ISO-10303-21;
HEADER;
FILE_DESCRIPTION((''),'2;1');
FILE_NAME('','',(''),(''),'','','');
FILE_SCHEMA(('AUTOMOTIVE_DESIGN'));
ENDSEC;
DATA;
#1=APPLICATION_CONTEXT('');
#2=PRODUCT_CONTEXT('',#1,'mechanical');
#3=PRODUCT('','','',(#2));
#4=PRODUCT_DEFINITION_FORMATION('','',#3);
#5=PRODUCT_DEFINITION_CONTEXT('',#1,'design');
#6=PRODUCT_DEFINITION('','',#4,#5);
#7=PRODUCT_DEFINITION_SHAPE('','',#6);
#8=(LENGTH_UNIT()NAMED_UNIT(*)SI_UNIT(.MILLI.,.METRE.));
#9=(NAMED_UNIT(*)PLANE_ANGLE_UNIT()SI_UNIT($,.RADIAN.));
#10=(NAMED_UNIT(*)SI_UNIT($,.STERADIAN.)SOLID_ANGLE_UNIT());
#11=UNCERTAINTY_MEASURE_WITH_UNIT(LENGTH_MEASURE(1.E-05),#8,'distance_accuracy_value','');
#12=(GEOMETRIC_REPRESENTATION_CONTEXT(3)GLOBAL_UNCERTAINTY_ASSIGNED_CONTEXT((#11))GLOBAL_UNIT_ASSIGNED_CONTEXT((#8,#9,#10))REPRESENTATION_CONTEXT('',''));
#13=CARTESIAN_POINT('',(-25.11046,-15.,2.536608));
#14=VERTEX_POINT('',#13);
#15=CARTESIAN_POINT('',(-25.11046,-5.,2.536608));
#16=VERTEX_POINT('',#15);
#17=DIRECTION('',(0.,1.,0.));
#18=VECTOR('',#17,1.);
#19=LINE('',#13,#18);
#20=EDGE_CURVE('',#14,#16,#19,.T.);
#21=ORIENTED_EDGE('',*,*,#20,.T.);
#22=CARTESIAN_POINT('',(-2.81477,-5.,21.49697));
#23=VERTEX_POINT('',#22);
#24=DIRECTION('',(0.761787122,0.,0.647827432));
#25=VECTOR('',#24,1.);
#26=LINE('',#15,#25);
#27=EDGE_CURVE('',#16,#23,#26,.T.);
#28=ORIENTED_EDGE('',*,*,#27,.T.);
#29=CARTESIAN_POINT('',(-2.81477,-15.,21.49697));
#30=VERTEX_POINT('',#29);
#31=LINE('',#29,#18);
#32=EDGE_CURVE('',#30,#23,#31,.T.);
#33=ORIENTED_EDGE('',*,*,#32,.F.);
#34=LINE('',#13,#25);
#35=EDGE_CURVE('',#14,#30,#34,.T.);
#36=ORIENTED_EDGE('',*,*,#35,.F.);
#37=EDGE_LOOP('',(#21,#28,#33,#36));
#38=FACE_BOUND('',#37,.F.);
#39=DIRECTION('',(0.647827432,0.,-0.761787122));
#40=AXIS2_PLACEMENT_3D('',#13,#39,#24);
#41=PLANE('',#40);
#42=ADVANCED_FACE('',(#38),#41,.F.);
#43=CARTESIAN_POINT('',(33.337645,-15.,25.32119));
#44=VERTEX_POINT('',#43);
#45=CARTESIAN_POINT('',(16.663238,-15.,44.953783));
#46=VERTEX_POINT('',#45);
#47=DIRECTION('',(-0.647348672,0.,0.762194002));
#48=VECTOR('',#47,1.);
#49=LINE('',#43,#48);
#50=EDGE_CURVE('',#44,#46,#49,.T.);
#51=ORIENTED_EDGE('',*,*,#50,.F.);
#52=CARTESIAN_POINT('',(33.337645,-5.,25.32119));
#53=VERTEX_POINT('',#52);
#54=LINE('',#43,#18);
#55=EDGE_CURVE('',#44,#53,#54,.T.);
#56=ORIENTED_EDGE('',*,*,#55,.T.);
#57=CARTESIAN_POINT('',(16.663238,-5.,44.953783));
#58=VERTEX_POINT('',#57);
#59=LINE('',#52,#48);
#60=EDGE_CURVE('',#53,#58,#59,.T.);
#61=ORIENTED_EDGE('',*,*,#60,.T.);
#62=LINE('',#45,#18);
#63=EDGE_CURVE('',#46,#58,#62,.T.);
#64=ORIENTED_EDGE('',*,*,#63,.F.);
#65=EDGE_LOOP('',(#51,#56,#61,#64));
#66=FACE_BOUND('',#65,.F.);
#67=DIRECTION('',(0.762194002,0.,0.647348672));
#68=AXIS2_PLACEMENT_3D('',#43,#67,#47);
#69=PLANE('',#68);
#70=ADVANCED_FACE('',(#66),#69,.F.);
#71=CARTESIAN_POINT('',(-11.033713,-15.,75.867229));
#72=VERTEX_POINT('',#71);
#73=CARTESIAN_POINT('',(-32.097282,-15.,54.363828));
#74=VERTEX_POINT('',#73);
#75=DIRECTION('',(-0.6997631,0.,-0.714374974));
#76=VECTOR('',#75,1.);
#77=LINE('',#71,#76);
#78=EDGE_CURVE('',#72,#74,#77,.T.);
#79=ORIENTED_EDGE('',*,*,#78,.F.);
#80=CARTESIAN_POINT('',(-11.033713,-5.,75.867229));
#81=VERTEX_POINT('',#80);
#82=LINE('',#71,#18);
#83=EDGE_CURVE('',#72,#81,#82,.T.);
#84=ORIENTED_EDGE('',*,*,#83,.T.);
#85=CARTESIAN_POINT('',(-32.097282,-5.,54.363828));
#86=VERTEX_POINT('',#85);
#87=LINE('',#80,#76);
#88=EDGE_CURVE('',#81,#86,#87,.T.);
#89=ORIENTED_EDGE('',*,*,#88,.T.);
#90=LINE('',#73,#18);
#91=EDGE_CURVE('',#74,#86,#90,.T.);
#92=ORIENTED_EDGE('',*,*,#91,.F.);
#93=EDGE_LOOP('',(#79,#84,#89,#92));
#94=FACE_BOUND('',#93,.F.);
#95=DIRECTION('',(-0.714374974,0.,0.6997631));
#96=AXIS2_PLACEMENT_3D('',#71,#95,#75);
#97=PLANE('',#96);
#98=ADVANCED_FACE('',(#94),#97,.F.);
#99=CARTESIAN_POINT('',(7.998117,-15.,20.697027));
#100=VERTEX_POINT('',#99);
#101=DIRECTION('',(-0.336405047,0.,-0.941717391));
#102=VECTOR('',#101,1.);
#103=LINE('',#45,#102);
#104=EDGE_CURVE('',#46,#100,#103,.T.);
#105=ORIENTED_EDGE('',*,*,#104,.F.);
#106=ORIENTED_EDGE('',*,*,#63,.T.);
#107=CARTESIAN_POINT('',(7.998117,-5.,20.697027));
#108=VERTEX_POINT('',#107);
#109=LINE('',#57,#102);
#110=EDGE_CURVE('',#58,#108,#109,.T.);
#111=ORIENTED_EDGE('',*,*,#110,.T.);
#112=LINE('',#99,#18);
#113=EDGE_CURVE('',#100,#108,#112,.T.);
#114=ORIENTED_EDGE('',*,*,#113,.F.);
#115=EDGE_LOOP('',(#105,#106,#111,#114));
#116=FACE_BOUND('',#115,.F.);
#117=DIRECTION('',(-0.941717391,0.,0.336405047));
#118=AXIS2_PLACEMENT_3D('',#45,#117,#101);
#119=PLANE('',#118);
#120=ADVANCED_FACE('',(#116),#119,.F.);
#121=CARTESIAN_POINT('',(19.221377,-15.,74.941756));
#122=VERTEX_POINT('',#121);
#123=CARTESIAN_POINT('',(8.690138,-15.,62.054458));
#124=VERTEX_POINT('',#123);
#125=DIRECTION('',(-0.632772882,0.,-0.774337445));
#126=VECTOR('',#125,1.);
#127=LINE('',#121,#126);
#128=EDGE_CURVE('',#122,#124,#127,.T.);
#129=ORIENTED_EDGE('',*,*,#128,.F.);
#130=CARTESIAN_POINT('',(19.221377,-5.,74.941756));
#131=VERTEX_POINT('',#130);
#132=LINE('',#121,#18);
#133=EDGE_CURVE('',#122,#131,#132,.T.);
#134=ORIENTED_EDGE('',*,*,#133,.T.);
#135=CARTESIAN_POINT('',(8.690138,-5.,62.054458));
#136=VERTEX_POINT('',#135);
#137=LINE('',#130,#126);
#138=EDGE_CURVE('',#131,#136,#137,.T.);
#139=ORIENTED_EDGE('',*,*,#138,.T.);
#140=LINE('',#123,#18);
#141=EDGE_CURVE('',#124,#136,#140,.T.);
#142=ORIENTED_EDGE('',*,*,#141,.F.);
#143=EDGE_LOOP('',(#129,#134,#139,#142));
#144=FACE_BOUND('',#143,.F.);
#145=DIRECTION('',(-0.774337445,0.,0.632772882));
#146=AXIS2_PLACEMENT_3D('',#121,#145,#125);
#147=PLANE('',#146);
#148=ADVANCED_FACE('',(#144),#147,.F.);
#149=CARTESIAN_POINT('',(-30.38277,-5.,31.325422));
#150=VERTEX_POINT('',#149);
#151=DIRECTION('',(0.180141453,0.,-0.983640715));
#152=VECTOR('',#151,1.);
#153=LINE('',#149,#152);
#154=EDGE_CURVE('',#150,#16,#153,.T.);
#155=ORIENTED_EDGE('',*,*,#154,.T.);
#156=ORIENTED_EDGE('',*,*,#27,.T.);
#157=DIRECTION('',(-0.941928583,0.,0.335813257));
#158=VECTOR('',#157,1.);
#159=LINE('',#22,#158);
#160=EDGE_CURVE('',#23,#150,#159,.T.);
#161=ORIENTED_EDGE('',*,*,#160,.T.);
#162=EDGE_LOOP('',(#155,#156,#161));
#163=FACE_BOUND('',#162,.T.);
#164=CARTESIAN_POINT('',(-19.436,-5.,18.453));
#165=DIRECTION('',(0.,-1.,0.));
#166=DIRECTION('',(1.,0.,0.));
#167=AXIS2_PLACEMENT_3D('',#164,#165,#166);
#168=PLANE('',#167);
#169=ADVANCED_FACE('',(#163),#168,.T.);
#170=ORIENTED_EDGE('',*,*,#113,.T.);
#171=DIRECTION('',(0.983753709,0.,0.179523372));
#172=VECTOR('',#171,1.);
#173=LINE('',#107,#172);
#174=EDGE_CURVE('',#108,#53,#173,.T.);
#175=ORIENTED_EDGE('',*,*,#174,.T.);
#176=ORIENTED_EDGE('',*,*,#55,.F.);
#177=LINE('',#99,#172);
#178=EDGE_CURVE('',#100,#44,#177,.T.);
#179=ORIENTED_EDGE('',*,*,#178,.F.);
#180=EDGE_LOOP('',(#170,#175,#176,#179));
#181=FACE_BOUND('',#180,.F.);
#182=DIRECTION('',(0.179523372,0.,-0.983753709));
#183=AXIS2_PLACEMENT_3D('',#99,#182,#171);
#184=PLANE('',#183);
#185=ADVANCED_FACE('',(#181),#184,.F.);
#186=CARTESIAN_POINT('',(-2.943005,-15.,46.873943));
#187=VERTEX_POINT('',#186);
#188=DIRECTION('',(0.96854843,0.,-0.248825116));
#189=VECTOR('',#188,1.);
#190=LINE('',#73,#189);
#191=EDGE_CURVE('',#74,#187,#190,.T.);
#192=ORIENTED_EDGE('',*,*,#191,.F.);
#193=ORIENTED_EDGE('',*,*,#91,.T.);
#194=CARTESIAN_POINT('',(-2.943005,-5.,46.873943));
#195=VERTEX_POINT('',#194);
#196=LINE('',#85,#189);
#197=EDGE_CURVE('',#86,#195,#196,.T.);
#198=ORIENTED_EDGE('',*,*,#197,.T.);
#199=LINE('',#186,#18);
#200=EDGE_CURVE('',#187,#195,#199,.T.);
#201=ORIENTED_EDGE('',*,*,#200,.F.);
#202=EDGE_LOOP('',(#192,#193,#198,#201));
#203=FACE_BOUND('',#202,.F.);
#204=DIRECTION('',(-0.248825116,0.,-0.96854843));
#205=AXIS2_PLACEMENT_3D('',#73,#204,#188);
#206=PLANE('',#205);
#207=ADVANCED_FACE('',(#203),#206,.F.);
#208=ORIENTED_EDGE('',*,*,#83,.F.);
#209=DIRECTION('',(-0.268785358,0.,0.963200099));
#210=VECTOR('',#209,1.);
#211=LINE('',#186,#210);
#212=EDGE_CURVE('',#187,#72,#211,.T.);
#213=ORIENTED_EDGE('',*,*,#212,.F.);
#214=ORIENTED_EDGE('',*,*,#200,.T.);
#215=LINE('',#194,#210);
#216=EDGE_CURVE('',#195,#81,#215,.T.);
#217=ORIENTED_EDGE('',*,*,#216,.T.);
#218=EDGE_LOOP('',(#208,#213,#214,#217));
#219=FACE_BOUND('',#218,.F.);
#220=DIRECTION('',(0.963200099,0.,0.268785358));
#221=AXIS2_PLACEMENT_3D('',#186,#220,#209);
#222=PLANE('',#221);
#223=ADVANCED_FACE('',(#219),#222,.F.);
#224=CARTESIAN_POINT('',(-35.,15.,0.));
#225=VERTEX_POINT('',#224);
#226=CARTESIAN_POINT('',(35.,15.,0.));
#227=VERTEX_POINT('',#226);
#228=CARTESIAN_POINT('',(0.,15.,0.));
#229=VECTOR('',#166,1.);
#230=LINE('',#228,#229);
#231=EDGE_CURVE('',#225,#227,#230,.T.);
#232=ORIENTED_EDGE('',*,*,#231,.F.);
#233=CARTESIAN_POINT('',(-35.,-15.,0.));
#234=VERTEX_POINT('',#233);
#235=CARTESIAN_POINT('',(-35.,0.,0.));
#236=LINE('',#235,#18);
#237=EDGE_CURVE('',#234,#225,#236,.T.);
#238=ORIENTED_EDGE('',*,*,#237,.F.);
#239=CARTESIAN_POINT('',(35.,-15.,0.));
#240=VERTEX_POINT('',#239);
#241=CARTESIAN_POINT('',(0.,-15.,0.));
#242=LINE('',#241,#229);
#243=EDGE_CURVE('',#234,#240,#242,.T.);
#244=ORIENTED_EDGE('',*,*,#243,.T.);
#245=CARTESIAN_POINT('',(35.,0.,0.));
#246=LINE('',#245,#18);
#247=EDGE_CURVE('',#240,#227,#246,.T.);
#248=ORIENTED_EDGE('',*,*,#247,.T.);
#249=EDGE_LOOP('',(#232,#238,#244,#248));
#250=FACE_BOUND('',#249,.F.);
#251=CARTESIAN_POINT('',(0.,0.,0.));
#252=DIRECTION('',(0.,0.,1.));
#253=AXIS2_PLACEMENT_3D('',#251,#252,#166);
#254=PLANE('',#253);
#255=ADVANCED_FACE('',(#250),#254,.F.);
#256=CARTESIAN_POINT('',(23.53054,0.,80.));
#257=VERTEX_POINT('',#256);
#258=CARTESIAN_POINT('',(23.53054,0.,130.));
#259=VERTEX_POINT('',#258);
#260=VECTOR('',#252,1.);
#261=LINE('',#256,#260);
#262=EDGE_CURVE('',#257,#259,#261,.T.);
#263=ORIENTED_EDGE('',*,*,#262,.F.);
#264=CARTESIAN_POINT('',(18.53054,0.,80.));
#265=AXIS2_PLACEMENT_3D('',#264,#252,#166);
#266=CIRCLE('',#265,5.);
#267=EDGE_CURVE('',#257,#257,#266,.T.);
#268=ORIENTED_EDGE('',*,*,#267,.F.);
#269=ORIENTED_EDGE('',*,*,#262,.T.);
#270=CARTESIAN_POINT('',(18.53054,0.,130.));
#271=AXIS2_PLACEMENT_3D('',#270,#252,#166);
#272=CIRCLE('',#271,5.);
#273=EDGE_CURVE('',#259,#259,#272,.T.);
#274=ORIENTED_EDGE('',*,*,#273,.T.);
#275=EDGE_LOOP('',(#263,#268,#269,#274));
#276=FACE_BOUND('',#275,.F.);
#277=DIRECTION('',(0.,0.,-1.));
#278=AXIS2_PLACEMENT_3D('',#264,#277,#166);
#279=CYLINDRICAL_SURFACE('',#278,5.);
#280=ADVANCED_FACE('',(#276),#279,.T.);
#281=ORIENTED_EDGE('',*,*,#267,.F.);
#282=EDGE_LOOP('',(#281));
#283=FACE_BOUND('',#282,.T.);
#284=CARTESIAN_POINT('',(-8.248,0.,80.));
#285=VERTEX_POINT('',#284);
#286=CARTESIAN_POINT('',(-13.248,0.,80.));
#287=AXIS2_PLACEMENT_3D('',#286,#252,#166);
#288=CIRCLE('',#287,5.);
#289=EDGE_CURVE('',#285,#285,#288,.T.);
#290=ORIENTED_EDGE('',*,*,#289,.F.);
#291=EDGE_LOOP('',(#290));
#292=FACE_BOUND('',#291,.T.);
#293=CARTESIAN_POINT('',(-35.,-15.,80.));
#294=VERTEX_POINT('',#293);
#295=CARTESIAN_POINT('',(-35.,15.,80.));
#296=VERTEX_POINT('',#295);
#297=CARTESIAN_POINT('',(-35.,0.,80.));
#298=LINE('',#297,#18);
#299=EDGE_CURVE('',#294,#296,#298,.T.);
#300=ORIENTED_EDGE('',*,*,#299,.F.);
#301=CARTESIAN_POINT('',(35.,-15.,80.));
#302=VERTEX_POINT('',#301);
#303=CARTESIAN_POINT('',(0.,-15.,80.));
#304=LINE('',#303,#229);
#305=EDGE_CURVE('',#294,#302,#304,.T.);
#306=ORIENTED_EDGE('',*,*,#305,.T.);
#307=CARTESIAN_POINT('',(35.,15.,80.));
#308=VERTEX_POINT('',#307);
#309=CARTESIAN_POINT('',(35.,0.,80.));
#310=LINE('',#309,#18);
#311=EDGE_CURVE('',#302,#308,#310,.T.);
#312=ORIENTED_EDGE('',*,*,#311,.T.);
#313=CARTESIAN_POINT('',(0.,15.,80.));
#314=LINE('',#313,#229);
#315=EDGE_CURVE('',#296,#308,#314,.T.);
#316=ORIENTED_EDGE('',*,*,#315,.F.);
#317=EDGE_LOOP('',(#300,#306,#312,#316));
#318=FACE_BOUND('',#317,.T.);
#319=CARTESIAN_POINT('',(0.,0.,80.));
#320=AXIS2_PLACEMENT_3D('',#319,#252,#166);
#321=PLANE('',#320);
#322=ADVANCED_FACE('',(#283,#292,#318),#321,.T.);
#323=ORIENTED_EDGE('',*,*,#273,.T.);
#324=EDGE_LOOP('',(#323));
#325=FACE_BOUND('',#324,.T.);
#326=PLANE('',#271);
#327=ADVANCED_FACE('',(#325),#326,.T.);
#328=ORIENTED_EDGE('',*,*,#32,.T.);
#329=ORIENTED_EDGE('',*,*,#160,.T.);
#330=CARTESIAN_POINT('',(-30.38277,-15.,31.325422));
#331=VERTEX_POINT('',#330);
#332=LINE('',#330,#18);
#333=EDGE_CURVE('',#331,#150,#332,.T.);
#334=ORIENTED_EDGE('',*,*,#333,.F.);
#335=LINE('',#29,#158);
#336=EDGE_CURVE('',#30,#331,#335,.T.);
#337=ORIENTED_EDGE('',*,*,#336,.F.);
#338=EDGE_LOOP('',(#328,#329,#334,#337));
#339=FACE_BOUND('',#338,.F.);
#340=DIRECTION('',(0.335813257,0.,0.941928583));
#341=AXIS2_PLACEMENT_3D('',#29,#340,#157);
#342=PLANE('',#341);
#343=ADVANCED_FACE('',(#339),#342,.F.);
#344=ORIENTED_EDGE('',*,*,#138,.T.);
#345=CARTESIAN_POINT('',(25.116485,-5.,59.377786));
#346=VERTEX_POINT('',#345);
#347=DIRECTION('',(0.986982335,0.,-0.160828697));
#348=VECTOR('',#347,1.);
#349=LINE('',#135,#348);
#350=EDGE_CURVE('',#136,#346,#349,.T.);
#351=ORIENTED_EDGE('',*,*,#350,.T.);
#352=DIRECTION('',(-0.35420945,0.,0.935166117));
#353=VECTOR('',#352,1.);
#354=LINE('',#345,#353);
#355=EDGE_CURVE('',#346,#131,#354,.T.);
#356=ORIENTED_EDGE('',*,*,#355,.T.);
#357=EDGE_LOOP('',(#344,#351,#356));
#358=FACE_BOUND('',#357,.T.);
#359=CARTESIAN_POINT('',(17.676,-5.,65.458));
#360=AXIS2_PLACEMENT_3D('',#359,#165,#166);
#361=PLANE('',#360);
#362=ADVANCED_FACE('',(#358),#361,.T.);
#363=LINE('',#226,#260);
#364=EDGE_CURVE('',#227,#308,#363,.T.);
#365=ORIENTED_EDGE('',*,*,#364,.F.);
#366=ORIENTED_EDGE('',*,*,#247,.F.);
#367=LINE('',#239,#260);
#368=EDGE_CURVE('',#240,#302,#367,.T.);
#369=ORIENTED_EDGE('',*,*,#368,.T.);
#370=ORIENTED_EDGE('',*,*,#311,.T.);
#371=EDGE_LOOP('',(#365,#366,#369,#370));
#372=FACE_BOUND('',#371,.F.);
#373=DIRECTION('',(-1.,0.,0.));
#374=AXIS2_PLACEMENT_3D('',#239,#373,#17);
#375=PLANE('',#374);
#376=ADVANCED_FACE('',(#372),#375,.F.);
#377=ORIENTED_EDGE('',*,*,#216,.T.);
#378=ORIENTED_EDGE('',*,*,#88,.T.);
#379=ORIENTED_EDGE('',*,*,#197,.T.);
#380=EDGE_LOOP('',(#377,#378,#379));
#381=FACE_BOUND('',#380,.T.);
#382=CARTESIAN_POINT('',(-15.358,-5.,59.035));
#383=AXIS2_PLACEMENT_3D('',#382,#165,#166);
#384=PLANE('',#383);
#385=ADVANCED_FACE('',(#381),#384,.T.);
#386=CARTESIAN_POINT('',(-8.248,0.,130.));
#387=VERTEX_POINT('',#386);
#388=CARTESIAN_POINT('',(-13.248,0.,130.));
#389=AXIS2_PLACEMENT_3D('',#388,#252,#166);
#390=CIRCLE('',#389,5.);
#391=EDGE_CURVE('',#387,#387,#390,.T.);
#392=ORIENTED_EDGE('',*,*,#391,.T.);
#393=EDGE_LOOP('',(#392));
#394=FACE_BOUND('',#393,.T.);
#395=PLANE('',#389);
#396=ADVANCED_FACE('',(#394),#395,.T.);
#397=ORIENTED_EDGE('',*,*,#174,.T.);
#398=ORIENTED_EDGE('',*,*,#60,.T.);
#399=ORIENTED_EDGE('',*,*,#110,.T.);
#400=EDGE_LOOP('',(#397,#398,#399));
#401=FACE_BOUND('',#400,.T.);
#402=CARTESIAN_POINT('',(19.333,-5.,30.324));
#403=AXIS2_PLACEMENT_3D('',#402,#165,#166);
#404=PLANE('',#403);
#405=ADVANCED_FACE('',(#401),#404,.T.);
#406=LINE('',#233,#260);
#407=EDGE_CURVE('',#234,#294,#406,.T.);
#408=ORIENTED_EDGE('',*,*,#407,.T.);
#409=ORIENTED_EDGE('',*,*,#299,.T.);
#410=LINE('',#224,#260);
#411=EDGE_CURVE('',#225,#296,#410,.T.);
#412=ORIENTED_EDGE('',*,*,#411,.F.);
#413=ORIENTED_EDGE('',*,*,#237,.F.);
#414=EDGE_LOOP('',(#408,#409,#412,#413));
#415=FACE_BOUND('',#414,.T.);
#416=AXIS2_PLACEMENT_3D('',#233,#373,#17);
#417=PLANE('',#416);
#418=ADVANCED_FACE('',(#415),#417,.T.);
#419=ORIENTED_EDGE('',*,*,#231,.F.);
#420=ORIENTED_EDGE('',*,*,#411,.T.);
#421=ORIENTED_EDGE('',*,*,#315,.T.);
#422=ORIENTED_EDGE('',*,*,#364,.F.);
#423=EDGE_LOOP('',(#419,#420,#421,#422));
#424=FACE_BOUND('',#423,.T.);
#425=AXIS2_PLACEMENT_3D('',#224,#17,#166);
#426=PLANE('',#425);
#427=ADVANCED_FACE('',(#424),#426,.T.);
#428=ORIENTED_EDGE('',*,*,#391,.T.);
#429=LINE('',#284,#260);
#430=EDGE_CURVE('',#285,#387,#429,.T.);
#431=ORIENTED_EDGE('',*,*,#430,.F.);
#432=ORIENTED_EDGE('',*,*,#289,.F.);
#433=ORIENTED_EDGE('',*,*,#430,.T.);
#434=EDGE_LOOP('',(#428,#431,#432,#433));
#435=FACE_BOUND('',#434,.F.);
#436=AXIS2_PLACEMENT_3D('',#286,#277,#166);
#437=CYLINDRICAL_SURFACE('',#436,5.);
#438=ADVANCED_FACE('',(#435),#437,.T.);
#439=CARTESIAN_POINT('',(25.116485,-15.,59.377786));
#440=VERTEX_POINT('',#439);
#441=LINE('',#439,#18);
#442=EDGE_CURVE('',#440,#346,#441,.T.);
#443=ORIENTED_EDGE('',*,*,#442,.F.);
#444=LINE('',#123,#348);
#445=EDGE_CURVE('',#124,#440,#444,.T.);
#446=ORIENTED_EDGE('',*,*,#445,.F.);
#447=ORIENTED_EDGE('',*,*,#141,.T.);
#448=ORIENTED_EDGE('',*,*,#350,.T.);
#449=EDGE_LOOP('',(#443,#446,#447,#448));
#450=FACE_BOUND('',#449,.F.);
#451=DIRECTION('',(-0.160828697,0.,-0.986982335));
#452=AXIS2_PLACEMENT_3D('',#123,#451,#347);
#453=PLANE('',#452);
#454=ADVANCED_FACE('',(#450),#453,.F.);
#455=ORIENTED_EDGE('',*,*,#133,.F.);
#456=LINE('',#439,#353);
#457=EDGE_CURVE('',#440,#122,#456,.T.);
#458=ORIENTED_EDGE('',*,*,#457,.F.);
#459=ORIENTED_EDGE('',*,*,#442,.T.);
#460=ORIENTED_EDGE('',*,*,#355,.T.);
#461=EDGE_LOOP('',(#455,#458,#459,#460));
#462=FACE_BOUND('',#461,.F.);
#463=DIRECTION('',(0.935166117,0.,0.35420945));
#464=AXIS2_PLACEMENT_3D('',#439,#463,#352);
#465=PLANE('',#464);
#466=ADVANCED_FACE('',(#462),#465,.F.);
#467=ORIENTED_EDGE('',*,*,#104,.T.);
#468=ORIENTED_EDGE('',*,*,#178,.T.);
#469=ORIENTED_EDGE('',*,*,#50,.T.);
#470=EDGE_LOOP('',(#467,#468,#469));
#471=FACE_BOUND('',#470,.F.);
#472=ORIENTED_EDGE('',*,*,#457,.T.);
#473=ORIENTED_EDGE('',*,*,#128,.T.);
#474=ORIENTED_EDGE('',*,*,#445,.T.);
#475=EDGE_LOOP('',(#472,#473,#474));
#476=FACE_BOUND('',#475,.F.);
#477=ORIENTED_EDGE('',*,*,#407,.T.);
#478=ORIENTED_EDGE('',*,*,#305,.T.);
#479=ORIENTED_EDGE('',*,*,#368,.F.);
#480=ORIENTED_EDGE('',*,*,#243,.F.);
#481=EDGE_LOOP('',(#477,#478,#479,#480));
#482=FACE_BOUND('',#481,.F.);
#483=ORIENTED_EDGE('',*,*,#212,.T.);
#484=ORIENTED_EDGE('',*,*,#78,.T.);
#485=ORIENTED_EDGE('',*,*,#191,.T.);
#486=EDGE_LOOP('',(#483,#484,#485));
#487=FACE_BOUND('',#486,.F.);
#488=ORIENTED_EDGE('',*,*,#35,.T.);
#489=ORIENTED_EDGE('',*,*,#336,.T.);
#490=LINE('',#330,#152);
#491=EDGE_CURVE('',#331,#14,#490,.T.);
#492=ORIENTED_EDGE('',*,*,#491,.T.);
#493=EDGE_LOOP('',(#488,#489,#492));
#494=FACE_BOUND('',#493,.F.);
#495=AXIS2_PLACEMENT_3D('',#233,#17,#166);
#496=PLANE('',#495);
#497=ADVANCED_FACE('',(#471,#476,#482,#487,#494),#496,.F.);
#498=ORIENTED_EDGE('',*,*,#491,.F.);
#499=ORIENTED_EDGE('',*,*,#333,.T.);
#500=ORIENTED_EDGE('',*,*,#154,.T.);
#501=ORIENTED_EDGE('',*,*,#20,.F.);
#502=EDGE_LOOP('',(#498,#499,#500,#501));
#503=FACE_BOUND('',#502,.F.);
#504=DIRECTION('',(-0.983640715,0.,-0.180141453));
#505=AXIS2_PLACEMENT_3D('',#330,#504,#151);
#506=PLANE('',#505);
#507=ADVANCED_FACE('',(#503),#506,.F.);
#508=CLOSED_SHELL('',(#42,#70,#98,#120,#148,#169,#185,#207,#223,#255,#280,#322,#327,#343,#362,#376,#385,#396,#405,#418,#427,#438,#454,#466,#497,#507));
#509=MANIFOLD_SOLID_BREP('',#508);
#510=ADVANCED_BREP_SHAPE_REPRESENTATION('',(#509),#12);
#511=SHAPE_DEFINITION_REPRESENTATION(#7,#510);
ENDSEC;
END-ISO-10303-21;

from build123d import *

# Parameters (mm, degrees)
F0_W     = 70
F0_H     = 30
F1_DEPTH = 80
F2_R     = 5
F3_DEPTH = 50
F5_DEPTH = 10


with BuildPart() as f1:
    # F0 (on Top) → F1 (new body)
    with BuildSketch(Plane.XY):
        Rectangle(F0_W, F0_H)
    extrude(amount=F1_DEPTH)

    # F2 (on face) → F3 (join)
    with BuildSketch(Plane.XY.offset(80)):
        with Locations((-13.248, 0)):
            Circle(F2_R)
        with Locations((18.53054, 0)):
            Circle(F2_R)
    extrude(amount=F3_DEPTH)

    # F4 (on face) → F5 (cut)
    with BuildSketch(Plane.XZ.offset(15)):
        Polygon((8.690138, 62.054458), (25.116485, 59.377786), (19.221377, 74.941756), align=None)
        Polygon((-2.943005, 46.873943), (-11.033713, 75.867229), (-32.097282, 54.363828), align=None)
        Polygon((-25.11046, 2.536608), (-2.81477, 21.49697), (-30.38277, 31.325422), align=None)
        Polygon((33.337645, 25.32119), (16.663238, 44.953783), (7.998117, 20.697027), align=None)
    extrude(amount=-F5_DEPTH, mode=Mode.SUBTRACT)


solid = f1.part
